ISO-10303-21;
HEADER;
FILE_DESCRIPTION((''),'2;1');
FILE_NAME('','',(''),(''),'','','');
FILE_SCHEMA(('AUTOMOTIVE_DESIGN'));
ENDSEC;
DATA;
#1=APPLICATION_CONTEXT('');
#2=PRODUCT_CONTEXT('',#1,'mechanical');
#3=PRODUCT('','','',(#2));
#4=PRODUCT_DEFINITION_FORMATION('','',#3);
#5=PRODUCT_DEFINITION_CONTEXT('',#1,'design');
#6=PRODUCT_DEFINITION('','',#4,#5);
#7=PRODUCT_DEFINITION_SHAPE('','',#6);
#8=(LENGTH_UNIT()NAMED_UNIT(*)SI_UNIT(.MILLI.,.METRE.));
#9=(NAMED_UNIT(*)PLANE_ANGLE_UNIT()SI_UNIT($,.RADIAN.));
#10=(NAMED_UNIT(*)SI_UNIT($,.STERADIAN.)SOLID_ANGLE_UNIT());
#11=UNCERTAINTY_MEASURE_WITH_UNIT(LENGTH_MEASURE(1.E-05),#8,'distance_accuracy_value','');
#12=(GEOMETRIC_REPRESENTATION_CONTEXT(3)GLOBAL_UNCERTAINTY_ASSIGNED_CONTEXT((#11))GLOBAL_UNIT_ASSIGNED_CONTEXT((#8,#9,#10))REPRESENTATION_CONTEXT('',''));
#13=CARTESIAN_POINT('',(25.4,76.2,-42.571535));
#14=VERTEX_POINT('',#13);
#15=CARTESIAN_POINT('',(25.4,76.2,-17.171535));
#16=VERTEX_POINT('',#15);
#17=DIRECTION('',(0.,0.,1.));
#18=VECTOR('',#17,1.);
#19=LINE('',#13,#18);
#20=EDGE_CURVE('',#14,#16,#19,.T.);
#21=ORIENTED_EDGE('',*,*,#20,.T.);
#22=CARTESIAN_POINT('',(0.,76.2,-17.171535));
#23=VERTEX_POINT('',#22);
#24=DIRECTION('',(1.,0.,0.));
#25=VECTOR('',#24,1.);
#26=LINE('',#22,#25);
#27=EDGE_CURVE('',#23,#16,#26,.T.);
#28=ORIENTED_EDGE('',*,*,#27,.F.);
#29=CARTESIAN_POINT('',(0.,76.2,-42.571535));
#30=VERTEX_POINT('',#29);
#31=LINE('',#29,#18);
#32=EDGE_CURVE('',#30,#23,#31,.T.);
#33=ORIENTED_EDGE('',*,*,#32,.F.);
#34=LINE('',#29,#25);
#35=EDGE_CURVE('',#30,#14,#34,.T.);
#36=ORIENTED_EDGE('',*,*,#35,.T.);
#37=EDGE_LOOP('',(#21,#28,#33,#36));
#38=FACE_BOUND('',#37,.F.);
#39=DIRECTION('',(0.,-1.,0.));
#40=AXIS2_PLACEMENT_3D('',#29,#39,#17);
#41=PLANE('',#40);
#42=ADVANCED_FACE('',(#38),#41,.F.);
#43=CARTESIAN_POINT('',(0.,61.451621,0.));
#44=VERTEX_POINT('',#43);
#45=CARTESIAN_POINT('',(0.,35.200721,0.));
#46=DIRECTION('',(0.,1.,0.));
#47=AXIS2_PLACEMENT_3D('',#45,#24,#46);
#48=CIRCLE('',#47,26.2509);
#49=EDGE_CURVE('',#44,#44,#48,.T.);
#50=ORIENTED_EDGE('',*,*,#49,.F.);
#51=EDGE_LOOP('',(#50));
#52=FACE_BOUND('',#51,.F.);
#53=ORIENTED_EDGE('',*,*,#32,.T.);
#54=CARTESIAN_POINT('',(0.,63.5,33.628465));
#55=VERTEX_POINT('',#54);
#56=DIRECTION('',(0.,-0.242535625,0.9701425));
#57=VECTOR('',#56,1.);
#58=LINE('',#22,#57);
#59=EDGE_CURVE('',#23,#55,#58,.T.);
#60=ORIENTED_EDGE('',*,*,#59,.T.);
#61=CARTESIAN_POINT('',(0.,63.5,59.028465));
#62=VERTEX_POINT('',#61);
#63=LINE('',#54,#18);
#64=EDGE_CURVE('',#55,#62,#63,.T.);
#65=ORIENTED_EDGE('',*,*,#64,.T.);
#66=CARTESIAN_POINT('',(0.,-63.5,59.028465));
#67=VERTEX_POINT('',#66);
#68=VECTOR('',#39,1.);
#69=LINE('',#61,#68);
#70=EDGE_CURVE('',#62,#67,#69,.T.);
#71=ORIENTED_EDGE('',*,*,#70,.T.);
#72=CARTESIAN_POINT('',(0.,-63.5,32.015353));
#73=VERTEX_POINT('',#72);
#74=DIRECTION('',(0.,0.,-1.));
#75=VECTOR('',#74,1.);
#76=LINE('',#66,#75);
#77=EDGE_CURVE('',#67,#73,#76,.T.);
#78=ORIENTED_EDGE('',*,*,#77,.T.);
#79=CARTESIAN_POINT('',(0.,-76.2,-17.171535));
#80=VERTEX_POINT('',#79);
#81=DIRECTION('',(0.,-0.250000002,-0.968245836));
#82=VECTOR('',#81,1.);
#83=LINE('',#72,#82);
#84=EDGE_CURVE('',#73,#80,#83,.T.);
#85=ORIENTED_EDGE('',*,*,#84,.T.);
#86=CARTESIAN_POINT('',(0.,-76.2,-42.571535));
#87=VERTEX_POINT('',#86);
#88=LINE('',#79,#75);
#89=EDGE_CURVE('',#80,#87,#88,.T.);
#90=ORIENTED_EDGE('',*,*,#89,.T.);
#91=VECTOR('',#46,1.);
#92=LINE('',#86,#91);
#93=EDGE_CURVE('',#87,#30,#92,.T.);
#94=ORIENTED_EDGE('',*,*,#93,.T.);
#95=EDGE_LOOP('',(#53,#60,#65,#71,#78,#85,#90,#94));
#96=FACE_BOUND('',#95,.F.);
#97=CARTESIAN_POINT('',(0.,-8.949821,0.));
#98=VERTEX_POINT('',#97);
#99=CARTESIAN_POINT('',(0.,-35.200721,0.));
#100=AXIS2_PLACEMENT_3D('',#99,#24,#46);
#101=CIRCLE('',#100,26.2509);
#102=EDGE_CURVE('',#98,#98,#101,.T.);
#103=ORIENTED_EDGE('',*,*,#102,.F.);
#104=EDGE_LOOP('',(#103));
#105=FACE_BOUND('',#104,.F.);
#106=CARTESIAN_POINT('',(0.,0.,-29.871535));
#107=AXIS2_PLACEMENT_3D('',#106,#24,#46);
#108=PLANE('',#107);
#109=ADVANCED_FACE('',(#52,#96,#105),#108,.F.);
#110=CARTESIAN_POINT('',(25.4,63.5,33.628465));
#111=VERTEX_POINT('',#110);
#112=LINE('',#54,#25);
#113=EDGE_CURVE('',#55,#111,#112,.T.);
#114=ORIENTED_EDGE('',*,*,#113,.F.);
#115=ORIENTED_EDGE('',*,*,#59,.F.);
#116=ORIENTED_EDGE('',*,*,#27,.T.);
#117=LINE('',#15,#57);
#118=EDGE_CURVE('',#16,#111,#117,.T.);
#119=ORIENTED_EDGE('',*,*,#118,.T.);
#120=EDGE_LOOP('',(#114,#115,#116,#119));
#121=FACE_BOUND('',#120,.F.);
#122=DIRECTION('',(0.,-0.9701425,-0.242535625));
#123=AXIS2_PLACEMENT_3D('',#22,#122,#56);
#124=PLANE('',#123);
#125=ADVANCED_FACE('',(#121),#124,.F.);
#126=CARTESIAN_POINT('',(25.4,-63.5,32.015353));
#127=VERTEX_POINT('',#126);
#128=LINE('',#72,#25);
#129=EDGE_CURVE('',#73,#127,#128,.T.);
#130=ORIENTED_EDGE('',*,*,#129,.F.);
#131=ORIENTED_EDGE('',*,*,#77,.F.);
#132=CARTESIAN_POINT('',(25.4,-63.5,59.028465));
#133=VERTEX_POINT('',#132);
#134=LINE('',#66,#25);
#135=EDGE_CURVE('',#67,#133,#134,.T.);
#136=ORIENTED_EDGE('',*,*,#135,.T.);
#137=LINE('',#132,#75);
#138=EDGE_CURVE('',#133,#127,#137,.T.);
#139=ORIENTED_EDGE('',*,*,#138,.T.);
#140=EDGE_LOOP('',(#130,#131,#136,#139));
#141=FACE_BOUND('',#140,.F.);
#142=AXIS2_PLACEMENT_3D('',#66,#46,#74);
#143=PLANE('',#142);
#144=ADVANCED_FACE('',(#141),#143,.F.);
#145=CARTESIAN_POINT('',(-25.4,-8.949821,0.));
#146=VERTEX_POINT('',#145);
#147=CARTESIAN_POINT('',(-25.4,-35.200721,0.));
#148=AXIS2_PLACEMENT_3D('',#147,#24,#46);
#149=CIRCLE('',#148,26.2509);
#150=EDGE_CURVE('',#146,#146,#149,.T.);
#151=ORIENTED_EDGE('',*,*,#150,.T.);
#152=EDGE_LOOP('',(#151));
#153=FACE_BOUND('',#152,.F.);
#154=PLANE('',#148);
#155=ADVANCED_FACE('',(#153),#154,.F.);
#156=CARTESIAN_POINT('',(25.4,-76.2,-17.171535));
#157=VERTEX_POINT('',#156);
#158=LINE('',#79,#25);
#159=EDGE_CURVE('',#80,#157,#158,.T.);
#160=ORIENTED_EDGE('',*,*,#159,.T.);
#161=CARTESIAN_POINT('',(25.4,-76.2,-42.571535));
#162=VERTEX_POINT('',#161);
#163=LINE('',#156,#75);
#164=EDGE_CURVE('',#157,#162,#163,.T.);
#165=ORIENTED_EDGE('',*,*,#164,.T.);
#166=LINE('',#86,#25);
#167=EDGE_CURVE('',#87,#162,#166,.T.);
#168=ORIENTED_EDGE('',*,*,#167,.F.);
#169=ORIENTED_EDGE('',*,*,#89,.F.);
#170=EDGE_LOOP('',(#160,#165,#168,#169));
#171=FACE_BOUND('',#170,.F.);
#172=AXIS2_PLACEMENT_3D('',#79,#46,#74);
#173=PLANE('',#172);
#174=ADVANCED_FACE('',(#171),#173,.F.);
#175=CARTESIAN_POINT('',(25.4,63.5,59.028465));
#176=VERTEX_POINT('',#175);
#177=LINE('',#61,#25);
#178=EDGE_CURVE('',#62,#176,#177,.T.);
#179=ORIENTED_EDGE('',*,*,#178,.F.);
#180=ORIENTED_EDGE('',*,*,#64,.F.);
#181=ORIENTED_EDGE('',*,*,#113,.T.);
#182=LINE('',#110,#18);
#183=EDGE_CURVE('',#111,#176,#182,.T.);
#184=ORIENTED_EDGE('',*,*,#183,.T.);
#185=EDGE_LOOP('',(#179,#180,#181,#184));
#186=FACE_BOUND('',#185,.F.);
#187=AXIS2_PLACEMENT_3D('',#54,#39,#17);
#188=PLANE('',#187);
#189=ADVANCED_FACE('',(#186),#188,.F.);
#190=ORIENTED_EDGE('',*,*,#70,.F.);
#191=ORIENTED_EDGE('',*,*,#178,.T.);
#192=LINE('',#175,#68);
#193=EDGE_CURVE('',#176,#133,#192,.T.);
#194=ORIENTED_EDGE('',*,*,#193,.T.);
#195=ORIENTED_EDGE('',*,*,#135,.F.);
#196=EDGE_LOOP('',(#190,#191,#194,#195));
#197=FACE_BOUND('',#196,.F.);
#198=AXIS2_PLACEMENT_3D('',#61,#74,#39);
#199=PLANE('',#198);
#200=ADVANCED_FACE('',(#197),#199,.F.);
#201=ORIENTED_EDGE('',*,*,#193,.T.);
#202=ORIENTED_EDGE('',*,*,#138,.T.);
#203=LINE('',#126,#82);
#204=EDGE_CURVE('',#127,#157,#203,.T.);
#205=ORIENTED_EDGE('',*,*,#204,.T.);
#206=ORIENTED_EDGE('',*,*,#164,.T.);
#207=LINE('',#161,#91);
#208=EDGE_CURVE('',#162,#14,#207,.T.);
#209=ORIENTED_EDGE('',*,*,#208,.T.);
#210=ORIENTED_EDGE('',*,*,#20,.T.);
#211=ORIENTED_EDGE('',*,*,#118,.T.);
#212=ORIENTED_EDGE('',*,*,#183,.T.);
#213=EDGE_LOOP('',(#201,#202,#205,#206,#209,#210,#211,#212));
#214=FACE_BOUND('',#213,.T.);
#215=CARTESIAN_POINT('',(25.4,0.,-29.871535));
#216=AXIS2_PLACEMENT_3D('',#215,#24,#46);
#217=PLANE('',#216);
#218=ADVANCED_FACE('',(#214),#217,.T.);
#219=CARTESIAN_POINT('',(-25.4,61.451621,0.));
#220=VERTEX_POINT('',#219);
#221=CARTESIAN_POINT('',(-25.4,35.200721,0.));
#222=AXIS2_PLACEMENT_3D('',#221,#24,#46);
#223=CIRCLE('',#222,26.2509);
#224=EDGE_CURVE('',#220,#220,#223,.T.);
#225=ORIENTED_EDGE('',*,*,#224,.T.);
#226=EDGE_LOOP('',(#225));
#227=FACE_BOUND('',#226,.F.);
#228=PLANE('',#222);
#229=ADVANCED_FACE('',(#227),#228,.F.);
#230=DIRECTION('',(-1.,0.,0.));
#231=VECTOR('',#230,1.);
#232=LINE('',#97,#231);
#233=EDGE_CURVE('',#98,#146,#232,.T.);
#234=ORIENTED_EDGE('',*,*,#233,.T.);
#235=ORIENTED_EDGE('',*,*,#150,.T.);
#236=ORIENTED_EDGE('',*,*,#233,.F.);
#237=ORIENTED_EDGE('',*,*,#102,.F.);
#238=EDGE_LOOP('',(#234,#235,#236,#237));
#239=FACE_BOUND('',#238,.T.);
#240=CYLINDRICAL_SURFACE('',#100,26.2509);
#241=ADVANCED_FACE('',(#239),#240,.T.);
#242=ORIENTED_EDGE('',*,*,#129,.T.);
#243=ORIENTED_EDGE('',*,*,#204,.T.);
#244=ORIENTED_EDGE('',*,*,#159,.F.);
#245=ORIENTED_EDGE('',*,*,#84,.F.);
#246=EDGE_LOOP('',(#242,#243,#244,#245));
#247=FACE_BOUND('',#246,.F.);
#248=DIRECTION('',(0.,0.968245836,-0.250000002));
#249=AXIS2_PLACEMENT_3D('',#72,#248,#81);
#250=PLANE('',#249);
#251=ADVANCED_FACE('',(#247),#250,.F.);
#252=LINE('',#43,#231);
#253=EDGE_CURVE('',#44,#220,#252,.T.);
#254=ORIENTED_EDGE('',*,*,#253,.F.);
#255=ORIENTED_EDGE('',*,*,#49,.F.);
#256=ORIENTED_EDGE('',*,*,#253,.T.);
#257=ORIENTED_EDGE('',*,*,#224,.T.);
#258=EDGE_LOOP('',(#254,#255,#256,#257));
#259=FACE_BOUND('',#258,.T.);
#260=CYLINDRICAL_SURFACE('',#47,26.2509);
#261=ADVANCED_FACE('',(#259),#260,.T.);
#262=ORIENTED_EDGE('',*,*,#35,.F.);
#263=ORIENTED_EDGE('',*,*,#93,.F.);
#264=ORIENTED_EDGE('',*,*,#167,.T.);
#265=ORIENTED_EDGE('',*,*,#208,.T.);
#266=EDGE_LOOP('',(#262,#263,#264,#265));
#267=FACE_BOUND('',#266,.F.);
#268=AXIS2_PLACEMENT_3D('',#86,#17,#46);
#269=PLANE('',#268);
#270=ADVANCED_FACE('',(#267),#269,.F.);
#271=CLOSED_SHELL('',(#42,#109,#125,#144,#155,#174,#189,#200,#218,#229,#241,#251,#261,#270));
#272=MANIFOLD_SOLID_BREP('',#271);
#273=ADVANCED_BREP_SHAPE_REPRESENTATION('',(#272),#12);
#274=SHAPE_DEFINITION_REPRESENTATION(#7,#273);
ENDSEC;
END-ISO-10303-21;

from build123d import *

# Parameters (mm, degrees)
F1_DEPTH = 25.4
F2_R     = 26.2509
F3_DEPTH = 25.4


with BuildPart() as f1:
    # F0 (on Right) → F1 (new body)
    with BuildSketch(Plane.YZ):
        Polygon((-76.2, -42.571535), (76.2, -42.571535), (76.2, -17.171535), (63.5, -17.171535), (-63.5, -17.171535), (-76.2, -17.171535), align=None)
        Polygon((63.5, -17.171535), (76.2, -17.171535), (63.5, 33.628465), (63.5, 59.028465), (-63.5, 59.028465), (-63.5, 32.015353), (-76.2, -17.171535), (-63.5, -17.171535), align=None)
    extrude(amount=F1_DEPTH)

    # F2 (on Right) → F3 (join)
    with BuildSketch(Plane.YZ):
        with Locations((35.200721, 0)):
            Circle(F2_R)
        with Locations((-35.200721, 0)):
            Circle(F2_R)
    extrude(amount=-F3_DEPTH)


solid = f1.part
